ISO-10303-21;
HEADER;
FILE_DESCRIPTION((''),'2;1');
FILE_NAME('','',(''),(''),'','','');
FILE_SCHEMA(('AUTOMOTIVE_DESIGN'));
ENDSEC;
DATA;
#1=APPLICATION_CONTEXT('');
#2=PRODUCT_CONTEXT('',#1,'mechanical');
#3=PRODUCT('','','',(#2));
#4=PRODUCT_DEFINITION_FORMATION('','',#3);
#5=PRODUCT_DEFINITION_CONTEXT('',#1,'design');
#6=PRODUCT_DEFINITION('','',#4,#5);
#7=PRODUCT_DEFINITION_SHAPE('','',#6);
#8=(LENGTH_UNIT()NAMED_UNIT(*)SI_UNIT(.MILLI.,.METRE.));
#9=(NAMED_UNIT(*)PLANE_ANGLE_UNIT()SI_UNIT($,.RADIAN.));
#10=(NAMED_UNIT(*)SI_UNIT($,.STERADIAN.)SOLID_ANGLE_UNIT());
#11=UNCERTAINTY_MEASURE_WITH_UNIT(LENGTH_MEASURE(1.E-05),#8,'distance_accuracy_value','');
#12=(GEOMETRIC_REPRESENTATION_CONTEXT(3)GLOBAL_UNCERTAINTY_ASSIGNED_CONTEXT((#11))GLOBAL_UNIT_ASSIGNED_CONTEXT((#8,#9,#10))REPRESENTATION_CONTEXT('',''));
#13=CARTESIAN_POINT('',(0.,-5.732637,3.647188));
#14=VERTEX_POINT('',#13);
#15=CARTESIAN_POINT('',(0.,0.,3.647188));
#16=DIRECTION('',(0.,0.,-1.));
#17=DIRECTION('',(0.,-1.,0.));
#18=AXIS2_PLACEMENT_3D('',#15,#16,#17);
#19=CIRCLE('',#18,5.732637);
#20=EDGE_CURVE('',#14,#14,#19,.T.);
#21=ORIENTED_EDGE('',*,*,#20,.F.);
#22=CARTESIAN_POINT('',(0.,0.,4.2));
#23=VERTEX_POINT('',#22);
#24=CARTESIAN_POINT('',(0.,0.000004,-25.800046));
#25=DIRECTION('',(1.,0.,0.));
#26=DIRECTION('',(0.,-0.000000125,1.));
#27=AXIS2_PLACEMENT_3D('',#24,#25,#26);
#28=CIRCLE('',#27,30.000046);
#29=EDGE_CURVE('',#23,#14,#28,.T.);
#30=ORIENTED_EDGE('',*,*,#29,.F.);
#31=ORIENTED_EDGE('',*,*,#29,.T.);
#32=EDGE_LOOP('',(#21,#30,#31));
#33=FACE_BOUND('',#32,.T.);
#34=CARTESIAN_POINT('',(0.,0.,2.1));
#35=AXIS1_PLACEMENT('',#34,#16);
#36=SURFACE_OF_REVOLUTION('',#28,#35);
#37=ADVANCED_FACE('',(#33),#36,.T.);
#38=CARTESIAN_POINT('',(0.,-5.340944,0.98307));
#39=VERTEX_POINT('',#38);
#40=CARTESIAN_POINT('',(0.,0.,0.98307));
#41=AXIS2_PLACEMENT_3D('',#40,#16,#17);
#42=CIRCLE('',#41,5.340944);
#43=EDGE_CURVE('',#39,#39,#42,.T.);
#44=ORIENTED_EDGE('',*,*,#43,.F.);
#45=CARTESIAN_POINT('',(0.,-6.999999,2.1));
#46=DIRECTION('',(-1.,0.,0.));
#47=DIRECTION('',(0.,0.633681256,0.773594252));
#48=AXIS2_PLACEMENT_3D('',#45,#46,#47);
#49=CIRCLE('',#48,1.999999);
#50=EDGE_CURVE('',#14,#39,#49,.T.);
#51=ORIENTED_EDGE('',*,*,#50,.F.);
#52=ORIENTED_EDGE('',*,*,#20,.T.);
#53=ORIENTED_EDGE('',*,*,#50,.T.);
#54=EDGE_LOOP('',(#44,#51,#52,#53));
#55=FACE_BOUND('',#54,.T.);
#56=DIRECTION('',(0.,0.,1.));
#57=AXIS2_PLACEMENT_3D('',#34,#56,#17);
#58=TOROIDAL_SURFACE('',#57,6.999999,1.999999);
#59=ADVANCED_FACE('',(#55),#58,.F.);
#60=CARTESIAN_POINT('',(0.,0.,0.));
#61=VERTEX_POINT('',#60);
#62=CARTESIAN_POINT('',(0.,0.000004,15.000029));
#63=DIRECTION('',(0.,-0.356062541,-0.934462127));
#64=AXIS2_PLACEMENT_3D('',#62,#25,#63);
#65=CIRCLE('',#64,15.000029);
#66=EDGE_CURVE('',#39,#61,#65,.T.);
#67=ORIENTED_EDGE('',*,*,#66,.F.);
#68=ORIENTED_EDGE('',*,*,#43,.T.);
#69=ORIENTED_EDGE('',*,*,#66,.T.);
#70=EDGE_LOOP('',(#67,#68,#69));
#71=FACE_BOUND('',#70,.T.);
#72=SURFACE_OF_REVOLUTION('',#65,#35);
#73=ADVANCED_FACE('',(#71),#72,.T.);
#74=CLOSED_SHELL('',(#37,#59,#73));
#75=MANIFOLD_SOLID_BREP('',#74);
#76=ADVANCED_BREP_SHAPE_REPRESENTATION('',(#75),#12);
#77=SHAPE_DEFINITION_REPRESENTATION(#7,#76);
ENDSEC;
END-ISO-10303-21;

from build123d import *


with BuildPart() as f1:
    # F0 (on Right) → F1 (revolve)
    with BuildSketch(Plane.YZ):
        with BuildLine():
            ThreePointArc((-5.732637, 3.647188), (-5.021272, 2.390923), (-5.340944, 0.98307))
            ThreePointArc((-5.340944, 0.98307), (-2.715332, 0.247815), (0, 0))
            Line((0, 0), (0, 4.2))
            ThreePointArc((0, 4.2), (-2.879615, 4.061477), (-5.732637, 3.647188))
        make_face()
    revolve(axis=Axis((0, 0, 2.1), (0, 0, -1)))


solid = f1.part
